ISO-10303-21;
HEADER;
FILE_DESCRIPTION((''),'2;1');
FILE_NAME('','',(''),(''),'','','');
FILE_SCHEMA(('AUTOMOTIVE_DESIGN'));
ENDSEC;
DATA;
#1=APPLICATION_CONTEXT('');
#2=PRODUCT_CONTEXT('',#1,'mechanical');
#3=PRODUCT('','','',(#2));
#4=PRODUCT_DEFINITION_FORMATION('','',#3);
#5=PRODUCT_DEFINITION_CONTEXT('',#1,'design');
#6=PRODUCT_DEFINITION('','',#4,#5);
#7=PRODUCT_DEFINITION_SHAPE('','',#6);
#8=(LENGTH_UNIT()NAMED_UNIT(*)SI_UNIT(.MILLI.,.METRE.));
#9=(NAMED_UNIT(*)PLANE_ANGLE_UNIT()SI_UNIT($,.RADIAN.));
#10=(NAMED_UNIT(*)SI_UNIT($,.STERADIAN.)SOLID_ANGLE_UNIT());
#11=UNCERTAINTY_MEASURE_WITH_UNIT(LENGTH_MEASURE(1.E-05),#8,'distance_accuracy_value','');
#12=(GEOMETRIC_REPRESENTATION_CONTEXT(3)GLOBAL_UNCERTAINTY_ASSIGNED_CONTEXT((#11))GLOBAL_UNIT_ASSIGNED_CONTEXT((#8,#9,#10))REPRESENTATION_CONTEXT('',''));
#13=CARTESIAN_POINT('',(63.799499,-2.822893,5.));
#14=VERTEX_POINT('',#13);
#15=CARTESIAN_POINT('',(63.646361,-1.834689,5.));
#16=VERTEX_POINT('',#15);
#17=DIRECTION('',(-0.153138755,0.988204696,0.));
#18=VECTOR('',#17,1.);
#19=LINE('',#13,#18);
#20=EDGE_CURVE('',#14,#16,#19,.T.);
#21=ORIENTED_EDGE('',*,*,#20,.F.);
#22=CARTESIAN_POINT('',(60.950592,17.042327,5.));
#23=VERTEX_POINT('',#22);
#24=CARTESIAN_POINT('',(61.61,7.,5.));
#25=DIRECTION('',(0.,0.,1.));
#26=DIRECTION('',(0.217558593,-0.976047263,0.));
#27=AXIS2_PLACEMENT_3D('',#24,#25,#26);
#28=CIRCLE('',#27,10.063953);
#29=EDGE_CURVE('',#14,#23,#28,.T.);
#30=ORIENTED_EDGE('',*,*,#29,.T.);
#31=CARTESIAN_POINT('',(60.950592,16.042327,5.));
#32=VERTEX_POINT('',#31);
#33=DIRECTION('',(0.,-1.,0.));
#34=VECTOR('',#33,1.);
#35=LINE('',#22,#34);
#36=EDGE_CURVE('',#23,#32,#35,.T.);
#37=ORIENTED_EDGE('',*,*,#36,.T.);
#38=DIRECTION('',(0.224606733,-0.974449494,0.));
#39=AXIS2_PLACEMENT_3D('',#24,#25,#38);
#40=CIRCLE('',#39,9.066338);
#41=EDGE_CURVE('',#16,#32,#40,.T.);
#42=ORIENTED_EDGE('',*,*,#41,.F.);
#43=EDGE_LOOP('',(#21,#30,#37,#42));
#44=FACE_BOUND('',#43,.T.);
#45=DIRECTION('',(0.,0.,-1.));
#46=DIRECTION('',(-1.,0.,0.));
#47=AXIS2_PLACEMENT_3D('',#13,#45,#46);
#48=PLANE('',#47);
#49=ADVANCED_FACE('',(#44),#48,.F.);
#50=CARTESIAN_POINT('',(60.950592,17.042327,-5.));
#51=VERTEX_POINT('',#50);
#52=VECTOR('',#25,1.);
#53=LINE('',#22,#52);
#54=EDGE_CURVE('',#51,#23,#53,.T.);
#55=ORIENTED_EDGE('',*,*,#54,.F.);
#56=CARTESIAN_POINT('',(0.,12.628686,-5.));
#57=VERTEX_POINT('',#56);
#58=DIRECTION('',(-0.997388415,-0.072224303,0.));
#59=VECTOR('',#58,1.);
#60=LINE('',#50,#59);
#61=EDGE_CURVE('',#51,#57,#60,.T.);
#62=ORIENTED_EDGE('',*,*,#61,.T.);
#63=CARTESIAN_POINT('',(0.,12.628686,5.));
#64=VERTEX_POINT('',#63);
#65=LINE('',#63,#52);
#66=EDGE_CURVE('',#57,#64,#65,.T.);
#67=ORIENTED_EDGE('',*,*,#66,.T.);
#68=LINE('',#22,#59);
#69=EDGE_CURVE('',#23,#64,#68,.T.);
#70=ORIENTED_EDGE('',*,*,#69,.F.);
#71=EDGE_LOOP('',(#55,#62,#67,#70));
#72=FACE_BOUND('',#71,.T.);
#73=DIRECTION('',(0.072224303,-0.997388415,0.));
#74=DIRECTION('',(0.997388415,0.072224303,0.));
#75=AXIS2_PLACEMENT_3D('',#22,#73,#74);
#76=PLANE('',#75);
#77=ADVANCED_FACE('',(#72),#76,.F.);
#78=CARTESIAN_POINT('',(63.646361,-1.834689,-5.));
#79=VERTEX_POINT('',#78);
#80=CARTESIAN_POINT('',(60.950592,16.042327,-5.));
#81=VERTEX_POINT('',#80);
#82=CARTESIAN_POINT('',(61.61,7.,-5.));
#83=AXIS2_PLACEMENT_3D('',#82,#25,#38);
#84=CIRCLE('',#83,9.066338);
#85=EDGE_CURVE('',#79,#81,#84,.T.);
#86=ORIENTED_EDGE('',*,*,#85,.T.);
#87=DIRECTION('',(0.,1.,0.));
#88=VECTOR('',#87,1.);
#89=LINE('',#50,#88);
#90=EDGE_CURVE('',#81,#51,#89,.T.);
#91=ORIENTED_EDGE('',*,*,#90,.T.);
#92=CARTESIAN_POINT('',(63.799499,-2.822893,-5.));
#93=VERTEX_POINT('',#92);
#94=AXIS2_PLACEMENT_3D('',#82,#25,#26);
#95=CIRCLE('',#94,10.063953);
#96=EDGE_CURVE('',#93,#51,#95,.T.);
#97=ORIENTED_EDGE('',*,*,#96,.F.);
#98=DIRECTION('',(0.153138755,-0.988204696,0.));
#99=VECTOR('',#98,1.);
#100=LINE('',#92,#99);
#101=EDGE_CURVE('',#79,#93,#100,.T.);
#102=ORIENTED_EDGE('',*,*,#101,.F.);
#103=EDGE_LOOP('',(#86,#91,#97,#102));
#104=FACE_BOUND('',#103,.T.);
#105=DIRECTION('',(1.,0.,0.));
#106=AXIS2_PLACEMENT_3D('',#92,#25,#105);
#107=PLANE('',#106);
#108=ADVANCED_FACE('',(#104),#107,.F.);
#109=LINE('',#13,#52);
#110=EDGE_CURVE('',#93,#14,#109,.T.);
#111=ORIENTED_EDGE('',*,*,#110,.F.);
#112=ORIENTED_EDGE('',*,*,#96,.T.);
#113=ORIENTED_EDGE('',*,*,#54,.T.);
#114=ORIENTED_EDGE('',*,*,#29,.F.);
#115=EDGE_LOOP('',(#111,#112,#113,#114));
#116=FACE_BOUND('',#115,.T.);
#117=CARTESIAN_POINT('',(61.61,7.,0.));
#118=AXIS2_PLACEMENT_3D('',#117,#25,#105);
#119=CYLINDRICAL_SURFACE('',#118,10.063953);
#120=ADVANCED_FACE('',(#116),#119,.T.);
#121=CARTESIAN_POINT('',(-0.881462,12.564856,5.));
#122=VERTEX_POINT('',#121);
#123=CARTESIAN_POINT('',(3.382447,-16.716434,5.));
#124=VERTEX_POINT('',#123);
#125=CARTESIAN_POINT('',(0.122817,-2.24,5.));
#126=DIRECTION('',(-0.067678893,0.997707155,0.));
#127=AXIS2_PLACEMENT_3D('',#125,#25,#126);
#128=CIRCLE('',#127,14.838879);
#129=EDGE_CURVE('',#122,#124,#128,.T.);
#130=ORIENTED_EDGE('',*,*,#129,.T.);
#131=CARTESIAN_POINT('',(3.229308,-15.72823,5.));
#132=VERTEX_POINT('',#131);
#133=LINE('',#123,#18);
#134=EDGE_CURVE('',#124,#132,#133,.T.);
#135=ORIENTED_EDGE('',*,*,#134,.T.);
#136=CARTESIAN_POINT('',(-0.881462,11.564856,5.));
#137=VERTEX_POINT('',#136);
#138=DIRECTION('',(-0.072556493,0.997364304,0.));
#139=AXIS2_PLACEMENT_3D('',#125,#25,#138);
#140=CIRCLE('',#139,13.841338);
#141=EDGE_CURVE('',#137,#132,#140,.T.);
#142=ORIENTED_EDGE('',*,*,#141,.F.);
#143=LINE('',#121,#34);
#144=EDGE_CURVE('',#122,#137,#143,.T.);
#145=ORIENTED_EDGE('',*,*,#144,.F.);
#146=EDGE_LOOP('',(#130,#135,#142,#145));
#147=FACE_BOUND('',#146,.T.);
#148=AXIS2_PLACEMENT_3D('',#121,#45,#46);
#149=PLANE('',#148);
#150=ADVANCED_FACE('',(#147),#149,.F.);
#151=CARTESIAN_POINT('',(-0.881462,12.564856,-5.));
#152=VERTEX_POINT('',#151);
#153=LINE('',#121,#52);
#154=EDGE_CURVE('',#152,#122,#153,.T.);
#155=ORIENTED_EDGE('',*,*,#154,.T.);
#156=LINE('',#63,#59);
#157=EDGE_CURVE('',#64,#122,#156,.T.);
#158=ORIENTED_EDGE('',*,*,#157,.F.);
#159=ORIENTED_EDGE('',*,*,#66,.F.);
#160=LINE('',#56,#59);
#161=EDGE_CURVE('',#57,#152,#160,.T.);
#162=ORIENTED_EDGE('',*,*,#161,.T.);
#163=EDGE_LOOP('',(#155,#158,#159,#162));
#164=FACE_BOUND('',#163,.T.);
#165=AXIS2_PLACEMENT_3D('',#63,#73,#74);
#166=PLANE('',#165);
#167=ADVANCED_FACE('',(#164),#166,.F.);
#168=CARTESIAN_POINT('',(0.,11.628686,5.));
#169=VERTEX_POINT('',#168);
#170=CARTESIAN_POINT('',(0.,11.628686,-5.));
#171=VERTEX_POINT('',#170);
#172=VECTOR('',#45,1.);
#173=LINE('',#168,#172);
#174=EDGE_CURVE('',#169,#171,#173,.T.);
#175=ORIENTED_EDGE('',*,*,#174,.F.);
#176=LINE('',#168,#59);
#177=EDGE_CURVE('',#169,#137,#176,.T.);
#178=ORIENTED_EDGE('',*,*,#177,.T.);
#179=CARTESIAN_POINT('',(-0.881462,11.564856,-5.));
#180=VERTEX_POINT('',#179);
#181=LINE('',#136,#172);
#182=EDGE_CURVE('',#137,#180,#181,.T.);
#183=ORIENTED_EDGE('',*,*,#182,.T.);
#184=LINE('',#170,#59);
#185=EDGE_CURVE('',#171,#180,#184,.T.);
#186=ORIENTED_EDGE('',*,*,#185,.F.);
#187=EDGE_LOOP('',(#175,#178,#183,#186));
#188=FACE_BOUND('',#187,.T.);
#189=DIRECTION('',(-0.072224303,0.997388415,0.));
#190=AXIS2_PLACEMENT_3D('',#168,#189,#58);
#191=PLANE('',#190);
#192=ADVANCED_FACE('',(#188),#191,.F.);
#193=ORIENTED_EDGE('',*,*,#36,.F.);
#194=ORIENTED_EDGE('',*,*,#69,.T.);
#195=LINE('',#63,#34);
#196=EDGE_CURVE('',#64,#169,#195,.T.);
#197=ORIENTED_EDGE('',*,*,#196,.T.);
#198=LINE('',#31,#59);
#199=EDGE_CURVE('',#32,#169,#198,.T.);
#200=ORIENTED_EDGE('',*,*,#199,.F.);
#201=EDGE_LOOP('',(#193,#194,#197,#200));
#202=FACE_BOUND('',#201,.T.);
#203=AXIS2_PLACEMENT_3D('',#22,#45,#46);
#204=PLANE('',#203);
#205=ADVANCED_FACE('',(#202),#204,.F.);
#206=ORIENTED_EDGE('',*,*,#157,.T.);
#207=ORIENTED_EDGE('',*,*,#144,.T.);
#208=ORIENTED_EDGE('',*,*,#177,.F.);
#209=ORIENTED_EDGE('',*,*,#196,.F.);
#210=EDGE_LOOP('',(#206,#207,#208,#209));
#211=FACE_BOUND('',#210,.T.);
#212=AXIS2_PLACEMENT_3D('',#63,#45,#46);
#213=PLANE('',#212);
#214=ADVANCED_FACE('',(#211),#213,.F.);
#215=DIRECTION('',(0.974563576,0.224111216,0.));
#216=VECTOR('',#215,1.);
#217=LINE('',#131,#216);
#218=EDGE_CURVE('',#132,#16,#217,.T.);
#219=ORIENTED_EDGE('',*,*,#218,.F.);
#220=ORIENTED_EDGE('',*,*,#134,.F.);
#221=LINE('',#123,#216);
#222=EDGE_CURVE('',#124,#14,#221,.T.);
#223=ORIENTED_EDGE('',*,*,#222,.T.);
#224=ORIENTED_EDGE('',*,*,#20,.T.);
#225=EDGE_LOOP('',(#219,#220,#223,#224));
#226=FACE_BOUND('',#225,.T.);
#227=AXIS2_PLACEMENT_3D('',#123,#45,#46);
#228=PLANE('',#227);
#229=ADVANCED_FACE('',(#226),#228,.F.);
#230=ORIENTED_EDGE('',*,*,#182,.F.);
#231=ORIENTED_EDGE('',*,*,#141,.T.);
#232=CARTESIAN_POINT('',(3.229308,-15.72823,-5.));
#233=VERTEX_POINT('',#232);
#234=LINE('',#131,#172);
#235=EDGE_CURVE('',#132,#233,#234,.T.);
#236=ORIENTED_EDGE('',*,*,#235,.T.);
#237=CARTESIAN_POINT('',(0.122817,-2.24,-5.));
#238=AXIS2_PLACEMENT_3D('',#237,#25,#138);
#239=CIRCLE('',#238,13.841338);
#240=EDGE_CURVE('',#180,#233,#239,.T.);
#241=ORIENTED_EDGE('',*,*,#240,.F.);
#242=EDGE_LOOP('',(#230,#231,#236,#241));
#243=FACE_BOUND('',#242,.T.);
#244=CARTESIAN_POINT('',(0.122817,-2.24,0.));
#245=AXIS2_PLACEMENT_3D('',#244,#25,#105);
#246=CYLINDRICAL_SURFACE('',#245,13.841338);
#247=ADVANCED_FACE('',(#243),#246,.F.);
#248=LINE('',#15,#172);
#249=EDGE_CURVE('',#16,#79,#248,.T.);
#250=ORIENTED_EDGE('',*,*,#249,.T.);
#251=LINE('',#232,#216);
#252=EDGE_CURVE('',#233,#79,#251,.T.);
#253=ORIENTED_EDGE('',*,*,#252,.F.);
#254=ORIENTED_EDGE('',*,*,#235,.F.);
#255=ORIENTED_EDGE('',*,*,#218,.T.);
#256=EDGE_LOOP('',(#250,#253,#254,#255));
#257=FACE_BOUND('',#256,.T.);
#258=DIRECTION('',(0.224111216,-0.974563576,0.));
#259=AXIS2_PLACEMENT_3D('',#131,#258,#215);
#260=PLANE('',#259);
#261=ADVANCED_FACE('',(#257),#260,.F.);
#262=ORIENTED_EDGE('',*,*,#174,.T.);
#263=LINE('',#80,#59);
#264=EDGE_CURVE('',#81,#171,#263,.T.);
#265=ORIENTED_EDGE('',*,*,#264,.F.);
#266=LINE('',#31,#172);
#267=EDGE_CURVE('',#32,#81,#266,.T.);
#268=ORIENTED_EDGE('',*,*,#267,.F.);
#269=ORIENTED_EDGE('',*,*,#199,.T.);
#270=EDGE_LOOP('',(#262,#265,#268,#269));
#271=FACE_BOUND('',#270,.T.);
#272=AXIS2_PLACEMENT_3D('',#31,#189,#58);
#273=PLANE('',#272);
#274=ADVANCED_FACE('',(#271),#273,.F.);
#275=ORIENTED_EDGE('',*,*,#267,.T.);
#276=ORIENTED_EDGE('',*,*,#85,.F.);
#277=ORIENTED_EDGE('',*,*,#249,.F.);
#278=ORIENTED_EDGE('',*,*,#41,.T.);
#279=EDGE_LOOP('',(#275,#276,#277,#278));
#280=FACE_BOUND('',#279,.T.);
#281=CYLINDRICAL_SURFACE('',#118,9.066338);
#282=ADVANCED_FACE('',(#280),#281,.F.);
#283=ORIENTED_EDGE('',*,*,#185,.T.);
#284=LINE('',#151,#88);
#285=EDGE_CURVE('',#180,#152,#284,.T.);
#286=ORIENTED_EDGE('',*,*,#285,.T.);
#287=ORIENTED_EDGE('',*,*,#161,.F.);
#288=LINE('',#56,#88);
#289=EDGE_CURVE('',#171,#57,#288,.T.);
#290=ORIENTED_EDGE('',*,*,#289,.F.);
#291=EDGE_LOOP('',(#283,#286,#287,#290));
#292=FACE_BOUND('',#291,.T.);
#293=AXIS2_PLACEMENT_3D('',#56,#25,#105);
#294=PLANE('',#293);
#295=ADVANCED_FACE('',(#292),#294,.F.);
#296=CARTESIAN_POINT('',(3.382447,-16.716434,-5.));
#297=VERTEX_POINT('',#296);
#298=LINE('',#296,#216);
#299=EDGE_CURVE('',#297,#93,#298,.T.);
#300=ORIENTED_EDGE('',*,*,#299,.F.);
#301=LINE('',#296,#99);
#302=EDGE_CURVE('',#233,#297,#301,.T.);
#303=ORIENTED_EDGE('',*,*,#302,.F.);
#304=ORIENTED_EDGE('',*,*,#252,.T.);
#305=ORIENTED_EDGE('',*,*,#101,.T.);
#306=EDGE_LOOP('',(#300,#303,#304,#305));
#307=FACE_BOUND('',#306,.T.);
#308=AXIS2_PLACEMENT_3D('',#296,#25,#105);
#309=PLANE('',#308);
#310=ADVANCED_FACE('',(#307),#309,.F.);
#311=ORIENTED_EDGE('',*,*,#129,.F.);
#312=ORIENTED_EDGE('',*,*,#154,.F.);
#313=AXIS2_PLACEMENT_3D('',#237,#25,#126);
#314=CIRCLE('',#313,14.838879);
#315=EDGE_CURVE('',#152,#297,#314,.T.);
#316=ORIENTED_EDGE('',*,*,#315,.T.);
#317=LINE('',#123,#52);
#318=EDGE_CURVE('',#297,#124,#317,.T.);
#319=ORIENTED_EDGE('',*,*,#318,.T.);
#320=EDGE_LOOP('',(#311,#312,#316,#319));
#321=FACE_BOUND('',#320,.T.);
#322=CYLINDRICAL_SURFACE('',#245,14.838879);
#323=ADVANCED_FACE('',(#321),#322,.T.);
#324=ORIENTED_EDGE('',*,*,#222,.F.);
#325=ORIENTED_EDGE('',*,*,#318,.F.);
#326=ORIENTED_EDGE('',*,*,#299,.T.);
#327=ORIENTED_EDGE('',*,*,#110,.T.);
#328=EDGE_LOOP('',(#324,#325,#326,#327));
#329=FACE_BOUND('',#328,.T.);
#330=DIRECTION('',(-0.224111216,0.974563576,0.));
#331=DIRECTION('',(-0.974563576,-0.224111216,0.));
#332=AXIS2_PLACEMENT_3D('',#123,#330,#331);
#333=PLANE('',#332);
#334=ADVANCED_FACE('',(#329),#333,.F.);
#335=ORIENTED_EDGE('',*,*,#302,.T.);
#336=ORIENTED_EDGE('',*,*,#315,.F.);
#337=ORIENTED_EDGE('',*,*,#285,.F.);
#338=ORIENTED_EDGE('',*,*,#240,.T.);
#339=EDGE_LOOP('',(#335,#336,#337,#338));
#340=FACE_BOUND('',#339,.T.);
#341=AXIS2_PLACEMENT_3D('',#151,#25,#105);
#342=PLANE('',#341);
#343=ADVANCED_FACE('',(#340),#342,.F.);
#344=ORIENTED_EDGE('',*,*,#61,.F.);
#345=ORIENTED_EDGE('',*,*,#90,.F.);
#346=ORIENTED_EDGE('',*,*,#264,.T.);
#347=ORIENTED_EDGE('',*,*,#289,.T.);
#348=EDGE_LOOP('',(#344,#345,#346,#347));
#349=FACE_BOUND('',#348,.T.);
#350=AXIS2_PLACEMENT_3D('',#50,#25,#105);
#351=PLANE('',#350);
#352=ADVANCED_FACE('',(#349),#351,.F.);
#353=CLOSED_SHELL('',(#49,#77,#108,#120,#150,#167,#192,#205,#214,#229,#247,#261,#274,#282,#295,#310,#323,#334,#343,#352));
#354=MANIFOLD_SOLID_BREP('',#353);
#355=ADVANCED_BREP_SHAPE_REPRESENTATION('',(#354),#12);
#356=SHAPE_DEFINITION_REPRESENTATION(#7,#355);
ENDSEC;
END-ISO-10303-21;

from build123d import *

# Parameters (mm, degrees)
CROQUIS3_W = 10
CROQUIS3_H = 1


with BuildPart() as part:
    # Barrer1: sweep along a path in Croquis2
    with BuildLine(Plane.XY) as barrer1_path:
        Line((-0.881462424, 11.628685909), (60.950592116, 16.106156228))
        ThreePointArc((60.950592116, 16.106156228), (70.638624048, 8.356778461), (63.656135399, -1.897765446))
        Line((63.656135399, -1.897765446), (3.239082958, -15.79130652))
        ThreePointArc((3.239082958, -15.79130652), (-13.62778781, -4.306375082), (-0.881462424, 11.628685909))
    # Croquis3 → Barrer1 (sweep)
    with BuildSketch(Plane(origin=(0, 0, 0), x_dir=(0, 0, -1), z_dir=(1, 0, 0))):
        with Locations((0, 12.128685909)):
            Rectangle(CROQUIS3_W, CROQUIS3_H)
    sweep(path=barrer1_path.line)


solid = part.part
